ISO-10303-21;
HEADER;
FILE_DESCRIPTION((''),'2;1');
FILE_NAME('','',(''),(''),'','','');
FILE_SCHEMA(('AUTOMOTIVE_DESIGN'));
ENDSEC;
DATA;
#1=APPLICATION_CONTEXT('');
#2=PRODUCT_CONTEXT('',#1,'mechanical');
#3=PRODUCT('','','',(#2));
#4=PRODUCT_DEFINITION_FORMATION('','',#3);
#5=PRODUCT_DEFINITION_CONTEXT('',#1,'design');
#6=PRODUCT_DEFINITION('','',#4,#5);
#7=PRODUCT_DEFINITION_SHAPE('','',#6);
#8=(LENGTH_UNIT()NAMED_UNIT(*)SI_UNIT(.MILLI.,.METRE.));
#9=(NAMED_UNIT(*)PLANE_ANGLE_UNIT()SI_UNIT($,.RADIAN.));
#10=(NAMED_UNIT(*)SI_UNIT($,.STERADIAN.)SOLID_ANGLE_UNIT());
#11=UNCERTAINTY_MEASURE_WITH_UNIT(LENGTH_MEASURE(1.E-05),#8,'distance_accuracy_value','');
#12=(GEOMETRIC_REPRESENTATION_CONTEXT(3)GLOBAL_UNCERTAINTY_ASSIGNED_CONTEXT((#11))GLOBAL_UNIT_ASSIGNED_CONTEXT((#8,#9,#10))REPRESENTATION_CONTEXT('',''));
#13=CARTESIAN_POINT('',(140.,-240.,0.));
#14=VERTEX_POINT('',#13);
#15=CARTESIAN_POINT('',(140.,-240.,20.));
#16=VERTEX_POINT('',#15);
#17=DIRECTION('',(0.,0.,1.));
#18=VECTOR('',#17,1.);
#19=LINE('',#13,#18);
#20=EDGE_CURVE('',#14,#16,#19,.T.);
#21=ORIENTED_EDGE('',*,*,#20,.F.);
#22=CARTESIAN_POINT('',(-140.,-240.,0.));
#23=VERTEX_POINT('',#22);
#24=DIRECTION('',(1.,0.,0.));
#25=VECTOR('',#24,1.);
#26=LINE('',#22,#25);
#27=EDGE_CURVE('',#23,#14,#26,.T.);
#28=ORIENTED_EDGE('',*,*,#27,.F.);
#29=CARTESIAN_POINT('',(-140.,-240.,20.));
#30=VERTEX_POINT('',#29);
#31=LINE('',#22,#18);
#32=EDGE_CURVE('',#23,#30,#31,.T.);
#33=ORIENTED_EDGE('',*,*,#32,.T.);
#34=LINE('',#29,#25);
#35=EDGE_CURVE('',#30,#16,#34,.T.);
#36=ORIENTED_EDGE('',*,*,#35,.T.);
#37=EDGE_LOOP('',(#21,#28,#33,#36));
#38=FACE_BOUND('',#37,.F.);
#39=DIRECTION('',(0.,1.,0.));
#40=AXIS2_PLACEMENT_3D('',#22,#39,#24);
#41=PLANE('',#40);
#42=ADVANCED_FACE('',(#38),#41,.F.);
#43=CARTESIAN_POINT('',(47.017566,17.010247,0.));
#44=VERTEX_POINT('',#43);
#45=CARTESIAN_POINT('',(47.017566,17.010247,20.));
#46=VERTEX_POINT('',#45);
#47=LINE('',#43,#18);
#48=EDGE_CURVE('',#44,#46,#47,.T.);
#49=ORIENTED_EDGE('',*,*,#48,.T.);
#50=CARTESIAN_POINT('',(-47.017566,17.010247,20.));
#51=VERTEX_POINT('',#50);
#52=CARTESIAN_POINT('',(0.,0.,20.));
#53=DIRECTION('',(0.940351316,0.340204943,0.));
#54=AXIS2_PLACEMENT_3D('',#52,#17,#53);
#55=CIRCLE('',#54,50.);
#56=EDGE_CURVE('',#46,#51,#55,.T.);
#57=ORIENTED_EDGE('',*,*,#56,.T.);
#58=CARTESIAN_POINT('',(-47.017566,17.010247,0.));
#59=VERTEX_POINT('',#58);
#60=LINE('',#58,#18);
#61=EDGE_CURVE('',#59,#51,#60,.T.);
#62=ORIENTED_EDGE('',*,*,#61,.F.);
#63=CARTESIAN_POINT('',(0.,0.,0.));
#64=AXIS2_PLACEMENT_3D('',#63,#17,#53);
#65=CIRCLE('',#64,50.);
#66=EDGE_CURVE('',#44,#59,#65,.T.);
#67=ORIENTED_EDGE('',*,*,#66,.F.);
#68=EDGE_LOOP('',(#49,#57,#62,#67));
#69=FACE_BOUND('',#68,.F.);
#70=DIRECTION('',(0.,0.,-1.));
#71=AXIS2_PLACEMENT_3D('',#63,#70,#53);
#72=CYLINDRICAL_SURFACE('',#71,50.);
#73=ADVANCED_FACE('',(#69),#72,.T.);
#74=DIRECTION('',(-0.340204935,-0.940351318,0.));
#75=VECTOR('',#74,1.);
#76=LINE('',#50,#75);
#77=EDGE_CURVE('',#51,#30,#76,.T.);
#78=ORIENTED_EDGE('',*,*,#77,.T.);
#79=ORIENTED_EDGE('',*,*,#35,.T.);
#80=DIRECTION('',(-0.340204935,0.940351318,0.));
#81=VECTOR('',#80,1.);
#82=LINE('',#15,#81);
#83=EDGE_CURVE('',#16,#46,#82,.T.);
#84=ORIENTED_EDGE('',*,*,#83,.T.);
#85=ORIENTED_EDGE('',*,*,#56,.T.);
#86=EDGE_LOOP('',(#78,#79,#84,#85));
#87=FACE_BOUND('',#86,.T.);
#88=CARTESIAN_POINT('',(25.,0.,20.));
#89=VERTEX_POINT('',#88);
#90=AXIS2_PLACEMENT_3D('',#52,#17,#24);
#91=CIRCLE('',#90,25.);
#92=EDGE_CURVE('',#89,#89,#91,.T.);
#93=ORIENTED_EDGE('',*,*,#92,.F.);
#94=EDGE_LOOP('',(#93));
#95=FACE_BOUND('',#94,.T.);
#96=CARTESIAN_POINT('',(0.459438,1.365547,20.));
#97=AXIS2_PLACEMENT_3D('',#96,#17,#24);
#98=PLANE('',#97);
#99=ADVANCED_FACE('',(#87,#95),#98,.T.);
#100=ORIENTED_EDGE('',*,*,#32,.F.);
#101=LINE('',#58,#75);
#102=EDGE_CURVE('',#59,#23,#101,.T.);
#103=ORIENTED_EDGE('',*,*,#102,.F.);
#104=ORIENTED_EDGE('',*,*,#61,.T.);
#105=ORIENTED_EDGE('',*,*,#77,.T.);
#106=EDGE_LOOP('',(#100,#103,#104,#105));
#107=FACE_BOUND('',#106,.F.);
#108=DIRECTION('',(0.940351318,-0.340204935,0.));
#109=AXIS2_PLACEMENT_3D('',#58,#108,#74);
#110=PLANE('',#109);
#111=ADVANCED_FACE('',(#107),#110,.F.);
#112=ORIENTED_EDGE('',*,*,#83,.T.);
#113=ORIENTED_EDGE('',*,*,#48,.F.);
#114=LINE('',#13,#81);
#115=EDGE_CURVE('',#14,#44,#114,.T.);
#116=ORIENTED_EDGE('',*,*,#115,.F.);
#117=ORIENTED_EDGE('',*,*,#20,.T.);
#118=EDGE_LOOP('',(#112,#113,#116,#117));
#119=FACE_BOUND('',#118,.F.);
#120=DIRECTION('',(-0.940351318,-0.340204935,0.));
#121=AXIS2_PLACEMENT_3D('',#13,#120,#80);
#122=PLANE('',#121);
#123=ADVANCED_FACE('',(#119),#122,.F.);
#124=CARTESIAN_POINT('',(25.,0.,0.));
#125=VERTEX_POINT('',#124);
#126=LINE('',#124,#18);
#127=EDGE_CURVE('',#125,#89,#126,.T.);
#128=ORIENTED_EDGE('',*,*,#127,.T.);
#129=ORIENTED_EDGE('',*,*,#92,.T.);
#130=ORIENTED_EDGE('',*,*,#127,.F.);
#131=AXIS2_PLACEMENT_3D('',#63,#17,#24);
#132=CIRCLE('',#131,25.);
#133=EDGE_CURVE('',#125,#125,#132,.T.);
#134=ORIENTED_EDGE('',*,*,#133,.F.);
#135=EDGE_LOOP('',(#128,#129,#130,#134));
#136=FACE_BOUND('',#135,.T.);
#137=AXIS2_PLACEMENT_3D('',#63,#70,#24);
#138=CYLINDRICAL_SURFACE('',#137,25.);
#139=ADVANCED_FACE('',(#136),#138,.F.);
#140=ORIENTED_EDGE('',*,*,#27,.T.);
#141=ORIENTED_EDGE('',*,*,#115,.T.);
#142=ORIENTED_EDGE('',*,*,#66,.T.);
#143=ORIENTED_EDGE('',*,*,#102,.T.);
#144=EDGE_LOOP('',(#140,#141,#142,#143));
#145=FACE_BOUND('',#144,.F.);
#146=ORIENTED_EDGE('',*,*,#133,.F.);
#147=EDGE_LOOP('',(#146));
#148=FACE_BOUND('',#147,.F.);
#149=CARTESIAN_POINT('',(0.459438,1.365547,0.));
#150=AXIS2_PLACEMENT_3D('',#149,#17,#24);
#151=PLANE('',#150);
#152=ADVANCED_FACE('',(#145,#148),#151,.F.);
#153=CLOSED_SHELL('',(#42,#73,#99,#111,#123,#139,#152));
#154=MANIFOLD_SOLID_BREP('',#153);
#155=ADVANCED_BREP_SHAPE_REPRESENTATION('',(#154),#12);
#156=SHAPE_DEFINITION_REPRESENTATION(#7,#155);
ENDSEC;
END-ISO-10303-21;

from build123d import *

# Parameters (mm, degrees)
F0_R     = 25
F1_DEPTH = 20


with BuildPart() as f1:
    # F0 (on Top) → F1 (new body)
    with BuildSketch(Plane.XY):
        with BuildLine():
            ThreePointArc((-47.017566, 17.010247), (-8.634863, -49.248748), (50, 0))
            ThreePointArc((50, 0), (49.248748, 8.634863), (47.017566, 17.010247))
            ThreePointArc((47.017566, 17.010247), (0, 50), (-47.017566, 17.010247))
        make_face()
        Circle(F0_R, mode=Mode.SUBTRACT)
        with BuildLine():
            ThreePointArc((47.017566, 17.010247), (49.248748, 8.634863), (50, 0))
            ThreePointArc((50, 0), (-8.634863, -49.248748), (-47.017566, 17.010247))
            Line((-47.017566, 17.010247), (-140, -240))
            Line((-140, -240), (0, -240))
            Line((0, -240), (140, -240))
            Line((140, -240), (47.017566, 17.010247))
        make_face()
    extrude(amount=F1_DEPTH)


solid = f1.part
